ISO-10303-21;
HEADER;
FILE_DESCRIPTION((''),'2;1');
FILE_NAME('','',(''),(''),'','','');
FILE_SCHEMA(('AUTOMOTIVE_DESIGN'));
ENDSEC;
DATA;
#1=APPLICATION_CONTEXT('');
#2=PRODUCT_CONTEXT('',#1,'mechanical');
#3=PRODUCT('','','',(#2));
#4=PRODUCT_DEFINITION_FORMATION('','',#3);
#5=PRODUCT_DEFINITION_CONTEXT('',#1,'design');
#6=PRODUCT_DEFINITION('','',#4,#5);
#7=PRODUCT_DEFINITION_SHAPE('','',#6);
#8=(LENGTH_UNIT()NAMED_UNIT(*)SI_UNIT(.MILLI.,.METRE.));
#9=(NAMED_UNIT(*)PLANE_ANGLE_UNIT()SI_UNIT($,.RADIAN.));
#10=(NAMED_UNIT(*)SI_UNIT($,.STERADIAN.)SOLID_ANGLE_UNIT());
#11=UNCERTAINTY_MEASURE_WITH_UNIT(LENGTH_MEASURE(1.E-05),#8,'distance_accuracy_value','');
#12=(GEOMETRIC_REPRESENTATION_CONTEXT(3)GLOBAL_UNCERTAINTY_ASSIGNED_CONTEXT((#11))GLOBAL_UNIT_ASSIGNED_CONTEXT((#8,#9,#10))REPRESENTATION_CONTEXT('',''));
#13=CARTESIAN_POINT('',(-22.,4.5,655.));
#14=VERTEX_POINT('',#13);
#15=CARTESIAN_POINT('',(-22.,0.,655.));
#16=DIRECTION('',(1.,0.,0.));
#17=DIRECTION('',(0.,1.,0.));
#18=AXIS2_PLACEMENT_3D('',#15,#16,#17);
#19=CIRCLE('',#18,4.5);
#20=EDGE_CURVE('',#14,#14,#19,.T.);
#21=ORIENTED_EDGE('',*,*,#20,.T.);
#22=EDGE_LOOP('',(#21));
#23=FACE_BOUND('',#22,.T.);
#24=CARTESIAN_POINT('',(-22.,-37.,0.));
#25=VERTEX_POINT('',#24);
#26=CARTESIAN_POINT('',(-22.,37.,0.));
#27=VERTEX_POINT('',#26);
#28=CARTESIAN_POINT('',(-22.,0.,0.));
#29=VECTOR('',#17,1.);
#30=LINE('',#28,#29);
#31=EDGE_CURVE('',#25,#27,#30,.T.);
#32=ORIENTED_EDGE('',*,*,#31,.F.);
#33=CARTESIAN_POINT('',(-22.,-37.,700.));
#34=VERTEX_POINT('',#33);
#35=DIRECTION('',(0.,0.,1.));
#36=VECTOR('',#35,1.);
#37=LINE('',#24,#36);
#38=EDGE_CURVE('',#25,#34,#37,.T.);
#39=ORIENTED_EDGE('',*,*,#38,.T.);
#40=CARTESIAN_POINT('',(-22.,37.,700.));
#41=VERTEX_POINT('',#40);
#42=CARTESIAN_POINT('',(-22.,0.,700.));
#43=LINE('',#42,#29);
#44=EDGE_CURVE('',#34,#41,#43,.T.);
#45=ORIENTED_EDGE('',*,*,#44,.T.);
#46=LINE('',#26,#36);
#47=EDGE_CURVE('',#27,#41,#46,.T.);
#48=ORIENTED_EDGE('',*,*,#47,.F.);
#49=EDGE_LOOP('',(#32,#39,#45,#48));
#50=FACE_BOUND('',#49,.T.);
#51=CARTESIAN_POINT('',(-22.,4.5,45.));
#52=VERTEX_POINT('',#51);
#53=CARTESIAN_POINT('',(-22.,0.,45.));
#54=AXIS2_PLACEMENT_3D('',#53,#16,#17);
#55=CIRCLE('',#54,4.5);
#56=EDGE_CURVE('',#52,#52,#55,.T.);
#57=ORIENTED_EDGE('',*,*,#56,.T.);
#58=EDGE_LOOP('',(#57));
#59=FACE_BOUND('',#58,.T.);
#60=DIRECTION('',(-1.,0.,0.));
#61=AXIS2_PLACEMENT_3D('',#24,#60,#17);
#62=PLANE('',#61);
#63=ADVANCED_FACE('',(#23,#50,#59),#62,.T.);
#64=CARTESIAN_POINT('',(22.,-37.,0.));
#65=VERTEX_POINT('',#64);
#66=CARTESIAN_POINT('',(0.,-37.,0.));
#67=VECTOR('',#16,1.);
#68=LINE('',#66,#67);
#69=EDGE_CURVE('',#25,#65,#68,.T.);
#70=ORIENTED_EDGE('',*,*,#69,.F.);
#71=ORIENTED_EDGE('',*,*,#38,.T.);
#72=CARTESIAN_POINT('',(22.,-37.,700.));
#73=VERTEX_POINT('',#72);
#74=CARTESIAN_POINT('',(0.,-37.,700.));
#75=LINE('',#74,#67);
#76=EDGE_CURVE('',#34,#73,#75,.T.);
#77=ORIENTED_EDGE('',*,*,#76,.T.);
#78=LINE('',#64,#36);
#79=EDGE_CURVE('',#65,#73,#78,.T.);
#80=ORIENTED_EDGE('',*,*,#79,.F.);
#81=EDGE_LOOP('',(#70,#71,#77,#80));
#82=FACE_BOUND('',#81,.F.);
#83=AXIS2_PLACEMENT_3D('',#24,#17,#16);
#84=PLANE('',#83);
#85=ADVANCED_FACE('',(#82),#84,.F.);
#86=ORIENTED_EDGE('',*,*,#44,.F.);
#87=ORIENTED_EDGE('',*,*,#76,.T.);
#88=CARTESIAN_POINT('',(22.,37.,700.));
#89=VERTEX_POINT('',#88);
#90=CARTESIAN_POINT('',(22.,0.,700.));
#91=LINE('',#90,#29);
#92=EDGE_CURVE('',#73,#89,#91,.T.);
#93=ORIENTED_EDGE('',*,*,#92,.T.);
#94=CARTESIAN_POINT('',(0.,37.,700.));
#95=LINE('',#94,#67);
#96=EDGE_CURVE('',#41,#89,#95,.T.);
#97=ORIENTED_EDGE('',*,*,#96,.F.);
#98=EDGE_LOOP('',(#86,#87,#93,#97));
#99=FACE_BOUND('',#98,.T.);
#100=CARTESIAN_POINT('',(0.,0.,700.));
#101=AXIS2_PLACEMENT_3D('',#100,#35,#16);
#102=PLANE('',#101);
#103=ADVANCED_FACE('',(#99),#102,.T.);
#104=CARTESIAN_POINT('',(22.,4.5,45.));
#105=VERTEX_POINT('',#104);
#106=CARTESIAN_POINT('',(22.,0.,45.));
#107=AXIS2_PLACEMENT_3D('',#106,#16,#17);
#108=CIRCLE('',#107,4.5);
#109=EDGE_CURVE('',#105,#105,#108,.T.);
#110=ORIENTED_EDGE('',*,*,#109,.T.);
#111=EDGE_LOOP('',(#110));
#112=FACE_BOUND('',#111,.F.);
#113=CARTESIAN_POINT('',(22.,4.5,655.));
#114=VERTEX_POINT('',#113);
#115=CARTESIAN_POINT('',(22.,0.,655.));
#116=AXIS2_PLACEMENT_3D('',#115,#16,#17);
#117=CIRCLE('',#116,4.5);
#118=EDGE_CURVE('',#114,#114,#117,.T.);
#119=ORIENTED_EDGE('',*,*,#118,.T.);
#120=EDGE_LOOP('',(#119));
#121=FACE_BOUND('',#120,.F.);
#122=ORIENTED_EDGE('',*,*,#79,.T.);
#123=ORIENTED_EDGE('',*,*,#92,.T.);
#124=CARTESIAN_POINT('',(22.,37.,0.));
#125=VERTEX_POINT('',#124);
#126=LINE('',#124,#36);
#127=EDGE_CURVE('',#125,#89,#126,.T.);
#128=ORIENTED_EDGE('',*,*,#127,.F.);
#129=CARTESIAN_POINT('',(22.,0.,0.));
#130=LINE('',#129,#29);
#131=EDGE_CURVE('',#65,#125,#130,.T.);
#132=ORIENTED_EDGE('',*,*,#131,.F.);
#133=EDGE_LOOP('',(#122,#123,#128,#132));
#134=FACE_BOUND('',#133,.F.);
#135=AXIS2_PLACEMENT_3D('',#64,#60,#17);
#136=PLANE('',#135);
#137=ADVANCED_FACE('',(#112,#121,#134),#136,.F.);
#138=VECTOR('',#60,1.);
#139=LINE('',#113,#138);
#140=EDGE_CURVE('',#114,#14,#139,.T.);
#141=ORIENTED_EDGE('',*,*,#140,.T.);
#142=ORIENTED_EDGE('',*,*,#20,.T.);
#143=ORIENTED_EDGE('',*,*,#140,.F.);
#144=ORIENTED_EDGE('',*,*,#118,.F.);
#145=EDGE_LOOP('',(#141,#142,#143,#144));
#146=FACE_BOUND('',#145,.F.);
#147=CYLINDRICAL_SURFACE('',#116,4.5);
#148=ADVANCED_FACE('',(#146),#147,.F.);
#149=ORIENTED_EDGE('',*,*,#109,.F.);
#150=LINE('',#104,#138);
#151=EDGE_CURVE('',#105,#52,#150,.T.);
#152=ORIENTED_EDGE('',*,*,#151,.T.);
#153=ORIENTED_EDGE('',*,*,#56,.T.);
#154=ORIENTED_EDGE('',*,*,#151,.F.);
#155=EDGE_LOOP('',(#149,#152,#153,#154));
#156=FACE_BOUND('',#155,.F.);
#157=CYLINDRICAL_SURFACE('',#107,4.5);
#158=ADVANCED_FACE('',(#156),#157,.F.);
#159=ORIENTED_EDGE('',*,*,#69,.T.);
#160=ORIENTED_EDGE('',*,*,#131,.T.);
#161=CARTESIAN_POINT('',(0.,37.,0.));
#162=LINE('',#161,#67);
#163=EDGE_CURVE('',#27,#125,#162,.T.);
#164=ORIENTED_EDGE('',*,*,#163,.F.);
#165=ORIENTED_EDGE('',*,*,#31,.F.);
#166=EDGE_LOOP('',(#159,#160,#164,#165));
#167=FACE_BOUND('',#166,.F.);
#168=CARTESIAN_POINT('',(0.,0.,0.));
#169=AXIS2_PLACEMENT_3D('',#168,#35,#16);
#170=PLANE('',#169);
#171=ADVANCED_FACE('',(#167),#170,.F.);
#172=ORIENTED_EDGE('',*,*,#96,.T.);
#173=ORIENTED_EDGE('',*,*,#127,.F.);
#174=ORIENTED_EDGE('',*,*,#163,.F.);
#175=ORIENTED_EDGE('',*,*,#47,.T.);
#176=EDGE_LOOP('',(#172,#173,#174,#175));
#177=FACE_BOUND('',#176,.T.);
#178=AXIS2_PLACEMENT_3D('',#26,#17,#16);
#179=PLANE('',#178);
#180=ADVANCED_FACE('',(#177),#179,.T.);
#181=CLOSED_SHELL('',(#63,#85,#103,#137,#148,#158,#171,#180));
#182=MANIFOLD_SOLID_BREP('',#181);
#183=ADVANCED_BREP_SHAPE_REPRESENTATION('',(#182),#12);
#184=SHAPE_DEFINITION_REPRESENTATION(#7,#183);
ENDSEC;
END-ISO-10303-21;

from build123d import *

# Parameters (mm, degrees)
F0_W     = 44
F0_H     = 74
F1_DEPTH = 700
F2_R     = 4.5
F3_DEPTH = 44.001


with BuildPart() as f1:
    # F0 (on Top) → F1 (new body)
    with BuildSketch(Plane.XY):
        Rectangle(F0_W, F0_H)
    extrude(amount=F1_DEPTH)

    # F2 (on face) → F3 (cut, through all)
    with BuildSketch(Plane.YZ.offset(22)):
        with Locations((0, 655)):
            Circle(F2_R)
        with Locations((0, 45)):
            Circle(F2_R)
    extrude(amount=-F3_DEPTH, mode=Mode.SUBTRACT)


solid = f1.part
